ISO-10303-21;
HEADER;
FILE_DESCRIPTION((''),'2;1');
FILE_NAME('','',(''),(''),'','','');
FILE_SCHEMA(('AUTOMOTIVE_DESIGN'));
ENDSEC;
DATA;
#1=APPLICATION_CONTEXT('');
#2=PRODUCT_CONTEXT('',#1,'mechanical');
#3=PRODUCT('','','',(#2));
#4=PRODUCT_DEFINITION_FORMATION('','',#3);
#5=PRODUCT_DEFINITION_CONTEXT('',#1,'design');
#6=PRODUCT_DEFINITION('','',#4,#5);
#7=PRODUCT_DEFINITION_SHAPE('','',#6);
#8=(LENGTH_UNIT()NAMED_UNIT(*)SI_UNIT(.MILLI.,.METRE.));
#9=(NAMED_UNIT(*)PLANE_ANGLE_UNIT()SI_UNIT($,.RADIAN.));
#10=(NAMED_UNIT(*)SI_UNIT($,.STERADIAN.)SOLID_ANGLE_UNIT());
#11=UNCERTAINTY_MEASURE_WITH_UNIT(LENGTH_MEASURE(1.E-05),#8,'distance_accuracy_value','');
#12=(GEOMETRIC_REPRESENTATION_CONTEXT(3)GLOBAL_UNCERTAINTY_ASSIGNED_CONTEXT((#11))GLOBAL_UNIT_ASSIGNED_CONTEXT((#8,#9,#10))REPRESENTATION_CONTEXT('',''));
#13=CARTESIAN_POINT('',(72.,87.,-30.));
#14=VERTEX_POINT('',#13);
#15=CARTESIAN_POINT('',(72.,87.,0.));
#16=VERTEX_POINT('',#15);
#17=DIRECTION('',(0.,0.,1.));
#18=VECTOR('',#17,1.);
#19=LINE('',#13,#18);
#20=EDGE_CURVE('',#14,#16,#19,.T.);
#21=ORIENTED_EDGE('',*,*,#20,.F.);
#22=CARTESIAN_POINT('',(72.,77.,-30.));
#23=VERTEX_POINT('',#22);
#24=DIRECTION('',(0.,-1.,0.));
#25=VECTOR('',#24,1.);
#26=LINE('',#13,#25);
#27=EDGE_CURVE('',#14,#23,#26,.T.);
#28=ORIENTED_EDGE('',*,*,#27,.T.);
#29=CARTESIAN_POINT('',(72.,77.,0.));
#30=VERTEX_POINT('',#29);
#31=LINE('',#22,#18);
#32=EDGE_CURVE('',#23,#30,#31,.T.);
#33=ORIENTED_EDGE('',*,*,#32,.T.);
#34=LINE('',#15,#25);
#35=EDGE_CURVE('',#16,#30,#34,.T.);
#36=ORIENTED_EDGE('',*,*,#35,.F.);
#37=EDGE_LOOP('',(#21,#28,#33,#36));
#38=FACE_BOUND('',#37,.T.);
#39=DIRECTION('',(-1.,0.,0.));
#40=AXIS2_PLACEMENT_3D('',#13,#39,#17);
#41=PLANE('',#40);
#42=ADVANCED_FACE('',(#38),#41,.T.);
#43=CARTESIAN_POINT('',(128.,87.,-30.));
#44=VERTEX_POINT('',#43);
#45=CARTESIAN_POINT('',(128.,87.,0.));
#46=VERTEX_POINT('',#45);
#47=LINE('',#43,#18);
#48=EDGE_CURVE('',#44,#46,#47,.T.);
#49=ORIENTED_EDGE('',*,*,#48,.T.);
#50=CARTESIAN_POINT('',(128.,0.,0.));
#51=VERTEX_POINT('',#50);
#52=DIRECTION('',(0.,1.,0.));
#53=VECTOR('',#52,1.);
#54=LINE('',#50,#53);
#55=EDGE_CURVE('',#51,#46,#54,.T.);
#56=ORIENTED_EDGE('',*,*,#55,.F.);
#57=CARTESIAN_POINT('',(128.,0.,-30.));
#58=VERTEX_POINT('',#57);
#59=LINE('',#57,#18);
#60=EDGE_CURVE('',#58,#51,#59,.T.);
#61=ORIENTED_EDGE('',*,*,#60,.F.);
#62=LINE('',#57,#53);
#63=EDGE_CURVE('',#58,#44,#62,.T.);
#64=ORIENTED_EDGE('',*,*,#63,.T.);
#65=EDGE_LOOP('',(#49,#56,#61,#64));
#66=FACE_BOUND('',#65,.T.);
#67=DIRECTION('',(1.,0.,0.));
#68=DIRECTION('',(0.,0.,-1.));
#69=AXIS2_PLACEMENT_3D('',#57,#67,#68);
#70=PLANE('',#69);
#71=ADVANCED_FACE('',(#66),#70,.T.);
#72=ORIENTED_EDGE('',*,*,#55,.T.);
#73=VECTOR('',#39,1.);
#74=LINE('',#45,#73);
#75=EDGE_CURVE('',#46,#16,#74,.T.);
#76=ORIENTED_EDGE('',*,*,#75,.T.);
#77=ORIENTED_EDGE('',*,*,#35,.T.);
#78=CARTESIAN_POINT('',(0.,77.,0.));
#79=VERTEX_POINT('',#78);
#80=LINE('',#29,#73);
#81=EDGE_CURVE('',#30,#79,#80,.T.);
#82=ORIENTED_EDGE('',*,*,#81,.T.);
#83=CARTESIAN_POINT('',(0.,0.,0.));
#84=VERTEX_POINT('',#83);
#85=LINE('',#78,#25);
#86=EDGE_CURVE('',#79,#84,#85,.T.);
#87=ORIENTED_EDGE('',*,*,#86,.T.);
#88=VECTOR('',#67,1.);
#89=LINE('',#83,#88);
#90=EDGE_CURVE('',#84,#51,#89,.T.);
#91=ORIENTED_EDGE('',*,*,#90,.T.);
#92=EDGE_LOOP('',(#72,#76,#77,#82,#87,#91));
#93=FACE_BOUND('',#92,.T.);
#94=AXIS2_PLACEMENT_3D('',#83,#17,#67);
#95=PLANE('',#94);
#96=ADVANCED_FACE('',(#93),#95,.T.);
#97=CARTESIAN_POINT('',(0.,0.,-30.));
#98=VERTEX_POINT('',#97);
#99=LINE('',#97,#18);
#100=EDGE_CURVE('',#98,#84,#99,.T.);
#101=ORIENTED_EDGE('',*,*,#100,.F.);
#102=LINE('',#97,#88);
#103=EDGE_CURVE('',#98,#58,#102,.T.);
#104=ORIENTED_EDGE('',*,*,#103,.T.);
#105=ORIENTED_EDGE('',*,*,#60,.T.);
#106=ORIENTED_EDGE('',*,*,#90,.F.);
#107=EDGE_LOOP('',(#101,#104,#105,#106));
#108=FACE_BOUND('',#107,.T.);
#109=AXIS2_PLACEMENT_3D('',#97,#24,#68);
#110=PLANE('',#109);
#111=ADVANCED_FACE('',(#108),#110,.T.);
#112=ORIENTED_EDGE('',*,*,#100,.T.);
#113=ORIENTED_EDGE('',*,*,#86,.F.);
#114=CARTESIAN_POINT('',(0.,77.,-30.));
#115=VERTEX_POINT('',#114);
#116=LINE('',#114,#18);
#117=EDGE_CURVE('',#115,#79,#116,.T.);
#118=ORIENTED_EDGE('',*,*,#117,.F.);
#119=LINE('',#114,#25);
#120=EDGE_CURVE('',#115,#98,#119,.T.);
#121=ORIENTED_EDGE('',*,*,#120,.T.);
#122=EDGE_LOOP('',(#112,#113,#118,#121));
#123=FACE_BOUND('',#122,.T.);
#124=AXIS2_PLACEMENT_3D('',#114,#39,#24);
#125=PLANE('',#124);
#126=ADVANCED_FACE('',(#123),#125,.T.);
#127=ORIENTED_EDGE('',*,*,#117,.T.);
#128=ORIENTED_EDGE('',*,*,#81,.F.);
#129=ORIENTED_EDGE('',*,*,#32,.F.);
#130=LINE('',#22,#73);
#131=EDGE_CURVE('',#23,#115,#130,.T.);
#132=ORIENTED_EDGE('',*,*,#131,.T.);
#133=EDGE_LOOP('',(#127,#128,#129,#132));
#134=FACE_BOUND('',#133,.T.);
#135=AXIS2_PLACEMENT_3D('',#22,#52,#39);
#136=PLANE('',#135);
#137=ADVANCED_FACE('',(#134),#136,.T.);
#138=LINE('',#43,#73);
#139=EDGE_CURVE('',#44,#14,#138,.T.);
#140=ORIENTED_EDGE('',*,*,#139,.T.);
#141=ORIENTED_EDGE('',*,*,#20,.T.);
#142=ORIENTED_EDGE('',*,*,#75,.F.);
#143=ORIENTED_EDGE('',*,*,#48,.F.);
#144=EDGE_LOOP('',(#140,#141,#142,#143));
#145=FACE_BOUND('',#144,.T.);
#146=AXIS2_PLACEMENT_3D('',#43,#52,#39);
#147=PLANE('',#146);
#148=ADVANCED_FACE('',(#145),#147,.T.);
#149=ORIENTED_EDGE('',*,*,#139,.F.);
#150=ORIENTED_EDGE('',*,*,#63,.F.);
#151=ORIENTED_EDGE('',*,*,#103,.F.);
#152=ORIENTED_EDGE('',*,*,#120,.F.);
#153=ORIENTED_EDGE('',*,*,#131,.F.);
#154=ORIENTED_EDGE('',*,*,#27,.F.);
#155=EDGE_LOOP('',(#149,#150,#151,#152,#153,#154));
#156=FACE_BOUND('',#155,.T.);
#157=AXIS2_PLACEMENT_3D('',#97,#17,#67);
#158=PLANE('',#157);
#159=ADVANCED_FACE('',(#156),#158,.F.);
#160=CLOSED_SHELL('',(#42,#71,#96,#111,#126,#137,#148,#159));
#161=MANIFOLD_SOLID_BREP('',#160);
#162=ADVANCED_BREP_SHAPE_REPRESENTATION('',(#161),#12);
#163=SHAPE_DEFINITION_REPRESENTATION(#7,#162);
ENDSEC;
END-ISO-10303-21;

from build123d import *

# Parameters (mm, degrees)
BOSS_EXTRU_1_DEPTH = 30


with BuildPart() as part:
    # Esquisse1 → Boss.-Extru.1 (new body)
    with BuildSketch(Plane.XY):
        Polygon((0, 0), (128, 0), (128, 87), (72, 87), (72, 77), (0, 77), align=None)
    extrude(amount=-BOSS_EXTRU_1_DEPTH)


solid = part.part
